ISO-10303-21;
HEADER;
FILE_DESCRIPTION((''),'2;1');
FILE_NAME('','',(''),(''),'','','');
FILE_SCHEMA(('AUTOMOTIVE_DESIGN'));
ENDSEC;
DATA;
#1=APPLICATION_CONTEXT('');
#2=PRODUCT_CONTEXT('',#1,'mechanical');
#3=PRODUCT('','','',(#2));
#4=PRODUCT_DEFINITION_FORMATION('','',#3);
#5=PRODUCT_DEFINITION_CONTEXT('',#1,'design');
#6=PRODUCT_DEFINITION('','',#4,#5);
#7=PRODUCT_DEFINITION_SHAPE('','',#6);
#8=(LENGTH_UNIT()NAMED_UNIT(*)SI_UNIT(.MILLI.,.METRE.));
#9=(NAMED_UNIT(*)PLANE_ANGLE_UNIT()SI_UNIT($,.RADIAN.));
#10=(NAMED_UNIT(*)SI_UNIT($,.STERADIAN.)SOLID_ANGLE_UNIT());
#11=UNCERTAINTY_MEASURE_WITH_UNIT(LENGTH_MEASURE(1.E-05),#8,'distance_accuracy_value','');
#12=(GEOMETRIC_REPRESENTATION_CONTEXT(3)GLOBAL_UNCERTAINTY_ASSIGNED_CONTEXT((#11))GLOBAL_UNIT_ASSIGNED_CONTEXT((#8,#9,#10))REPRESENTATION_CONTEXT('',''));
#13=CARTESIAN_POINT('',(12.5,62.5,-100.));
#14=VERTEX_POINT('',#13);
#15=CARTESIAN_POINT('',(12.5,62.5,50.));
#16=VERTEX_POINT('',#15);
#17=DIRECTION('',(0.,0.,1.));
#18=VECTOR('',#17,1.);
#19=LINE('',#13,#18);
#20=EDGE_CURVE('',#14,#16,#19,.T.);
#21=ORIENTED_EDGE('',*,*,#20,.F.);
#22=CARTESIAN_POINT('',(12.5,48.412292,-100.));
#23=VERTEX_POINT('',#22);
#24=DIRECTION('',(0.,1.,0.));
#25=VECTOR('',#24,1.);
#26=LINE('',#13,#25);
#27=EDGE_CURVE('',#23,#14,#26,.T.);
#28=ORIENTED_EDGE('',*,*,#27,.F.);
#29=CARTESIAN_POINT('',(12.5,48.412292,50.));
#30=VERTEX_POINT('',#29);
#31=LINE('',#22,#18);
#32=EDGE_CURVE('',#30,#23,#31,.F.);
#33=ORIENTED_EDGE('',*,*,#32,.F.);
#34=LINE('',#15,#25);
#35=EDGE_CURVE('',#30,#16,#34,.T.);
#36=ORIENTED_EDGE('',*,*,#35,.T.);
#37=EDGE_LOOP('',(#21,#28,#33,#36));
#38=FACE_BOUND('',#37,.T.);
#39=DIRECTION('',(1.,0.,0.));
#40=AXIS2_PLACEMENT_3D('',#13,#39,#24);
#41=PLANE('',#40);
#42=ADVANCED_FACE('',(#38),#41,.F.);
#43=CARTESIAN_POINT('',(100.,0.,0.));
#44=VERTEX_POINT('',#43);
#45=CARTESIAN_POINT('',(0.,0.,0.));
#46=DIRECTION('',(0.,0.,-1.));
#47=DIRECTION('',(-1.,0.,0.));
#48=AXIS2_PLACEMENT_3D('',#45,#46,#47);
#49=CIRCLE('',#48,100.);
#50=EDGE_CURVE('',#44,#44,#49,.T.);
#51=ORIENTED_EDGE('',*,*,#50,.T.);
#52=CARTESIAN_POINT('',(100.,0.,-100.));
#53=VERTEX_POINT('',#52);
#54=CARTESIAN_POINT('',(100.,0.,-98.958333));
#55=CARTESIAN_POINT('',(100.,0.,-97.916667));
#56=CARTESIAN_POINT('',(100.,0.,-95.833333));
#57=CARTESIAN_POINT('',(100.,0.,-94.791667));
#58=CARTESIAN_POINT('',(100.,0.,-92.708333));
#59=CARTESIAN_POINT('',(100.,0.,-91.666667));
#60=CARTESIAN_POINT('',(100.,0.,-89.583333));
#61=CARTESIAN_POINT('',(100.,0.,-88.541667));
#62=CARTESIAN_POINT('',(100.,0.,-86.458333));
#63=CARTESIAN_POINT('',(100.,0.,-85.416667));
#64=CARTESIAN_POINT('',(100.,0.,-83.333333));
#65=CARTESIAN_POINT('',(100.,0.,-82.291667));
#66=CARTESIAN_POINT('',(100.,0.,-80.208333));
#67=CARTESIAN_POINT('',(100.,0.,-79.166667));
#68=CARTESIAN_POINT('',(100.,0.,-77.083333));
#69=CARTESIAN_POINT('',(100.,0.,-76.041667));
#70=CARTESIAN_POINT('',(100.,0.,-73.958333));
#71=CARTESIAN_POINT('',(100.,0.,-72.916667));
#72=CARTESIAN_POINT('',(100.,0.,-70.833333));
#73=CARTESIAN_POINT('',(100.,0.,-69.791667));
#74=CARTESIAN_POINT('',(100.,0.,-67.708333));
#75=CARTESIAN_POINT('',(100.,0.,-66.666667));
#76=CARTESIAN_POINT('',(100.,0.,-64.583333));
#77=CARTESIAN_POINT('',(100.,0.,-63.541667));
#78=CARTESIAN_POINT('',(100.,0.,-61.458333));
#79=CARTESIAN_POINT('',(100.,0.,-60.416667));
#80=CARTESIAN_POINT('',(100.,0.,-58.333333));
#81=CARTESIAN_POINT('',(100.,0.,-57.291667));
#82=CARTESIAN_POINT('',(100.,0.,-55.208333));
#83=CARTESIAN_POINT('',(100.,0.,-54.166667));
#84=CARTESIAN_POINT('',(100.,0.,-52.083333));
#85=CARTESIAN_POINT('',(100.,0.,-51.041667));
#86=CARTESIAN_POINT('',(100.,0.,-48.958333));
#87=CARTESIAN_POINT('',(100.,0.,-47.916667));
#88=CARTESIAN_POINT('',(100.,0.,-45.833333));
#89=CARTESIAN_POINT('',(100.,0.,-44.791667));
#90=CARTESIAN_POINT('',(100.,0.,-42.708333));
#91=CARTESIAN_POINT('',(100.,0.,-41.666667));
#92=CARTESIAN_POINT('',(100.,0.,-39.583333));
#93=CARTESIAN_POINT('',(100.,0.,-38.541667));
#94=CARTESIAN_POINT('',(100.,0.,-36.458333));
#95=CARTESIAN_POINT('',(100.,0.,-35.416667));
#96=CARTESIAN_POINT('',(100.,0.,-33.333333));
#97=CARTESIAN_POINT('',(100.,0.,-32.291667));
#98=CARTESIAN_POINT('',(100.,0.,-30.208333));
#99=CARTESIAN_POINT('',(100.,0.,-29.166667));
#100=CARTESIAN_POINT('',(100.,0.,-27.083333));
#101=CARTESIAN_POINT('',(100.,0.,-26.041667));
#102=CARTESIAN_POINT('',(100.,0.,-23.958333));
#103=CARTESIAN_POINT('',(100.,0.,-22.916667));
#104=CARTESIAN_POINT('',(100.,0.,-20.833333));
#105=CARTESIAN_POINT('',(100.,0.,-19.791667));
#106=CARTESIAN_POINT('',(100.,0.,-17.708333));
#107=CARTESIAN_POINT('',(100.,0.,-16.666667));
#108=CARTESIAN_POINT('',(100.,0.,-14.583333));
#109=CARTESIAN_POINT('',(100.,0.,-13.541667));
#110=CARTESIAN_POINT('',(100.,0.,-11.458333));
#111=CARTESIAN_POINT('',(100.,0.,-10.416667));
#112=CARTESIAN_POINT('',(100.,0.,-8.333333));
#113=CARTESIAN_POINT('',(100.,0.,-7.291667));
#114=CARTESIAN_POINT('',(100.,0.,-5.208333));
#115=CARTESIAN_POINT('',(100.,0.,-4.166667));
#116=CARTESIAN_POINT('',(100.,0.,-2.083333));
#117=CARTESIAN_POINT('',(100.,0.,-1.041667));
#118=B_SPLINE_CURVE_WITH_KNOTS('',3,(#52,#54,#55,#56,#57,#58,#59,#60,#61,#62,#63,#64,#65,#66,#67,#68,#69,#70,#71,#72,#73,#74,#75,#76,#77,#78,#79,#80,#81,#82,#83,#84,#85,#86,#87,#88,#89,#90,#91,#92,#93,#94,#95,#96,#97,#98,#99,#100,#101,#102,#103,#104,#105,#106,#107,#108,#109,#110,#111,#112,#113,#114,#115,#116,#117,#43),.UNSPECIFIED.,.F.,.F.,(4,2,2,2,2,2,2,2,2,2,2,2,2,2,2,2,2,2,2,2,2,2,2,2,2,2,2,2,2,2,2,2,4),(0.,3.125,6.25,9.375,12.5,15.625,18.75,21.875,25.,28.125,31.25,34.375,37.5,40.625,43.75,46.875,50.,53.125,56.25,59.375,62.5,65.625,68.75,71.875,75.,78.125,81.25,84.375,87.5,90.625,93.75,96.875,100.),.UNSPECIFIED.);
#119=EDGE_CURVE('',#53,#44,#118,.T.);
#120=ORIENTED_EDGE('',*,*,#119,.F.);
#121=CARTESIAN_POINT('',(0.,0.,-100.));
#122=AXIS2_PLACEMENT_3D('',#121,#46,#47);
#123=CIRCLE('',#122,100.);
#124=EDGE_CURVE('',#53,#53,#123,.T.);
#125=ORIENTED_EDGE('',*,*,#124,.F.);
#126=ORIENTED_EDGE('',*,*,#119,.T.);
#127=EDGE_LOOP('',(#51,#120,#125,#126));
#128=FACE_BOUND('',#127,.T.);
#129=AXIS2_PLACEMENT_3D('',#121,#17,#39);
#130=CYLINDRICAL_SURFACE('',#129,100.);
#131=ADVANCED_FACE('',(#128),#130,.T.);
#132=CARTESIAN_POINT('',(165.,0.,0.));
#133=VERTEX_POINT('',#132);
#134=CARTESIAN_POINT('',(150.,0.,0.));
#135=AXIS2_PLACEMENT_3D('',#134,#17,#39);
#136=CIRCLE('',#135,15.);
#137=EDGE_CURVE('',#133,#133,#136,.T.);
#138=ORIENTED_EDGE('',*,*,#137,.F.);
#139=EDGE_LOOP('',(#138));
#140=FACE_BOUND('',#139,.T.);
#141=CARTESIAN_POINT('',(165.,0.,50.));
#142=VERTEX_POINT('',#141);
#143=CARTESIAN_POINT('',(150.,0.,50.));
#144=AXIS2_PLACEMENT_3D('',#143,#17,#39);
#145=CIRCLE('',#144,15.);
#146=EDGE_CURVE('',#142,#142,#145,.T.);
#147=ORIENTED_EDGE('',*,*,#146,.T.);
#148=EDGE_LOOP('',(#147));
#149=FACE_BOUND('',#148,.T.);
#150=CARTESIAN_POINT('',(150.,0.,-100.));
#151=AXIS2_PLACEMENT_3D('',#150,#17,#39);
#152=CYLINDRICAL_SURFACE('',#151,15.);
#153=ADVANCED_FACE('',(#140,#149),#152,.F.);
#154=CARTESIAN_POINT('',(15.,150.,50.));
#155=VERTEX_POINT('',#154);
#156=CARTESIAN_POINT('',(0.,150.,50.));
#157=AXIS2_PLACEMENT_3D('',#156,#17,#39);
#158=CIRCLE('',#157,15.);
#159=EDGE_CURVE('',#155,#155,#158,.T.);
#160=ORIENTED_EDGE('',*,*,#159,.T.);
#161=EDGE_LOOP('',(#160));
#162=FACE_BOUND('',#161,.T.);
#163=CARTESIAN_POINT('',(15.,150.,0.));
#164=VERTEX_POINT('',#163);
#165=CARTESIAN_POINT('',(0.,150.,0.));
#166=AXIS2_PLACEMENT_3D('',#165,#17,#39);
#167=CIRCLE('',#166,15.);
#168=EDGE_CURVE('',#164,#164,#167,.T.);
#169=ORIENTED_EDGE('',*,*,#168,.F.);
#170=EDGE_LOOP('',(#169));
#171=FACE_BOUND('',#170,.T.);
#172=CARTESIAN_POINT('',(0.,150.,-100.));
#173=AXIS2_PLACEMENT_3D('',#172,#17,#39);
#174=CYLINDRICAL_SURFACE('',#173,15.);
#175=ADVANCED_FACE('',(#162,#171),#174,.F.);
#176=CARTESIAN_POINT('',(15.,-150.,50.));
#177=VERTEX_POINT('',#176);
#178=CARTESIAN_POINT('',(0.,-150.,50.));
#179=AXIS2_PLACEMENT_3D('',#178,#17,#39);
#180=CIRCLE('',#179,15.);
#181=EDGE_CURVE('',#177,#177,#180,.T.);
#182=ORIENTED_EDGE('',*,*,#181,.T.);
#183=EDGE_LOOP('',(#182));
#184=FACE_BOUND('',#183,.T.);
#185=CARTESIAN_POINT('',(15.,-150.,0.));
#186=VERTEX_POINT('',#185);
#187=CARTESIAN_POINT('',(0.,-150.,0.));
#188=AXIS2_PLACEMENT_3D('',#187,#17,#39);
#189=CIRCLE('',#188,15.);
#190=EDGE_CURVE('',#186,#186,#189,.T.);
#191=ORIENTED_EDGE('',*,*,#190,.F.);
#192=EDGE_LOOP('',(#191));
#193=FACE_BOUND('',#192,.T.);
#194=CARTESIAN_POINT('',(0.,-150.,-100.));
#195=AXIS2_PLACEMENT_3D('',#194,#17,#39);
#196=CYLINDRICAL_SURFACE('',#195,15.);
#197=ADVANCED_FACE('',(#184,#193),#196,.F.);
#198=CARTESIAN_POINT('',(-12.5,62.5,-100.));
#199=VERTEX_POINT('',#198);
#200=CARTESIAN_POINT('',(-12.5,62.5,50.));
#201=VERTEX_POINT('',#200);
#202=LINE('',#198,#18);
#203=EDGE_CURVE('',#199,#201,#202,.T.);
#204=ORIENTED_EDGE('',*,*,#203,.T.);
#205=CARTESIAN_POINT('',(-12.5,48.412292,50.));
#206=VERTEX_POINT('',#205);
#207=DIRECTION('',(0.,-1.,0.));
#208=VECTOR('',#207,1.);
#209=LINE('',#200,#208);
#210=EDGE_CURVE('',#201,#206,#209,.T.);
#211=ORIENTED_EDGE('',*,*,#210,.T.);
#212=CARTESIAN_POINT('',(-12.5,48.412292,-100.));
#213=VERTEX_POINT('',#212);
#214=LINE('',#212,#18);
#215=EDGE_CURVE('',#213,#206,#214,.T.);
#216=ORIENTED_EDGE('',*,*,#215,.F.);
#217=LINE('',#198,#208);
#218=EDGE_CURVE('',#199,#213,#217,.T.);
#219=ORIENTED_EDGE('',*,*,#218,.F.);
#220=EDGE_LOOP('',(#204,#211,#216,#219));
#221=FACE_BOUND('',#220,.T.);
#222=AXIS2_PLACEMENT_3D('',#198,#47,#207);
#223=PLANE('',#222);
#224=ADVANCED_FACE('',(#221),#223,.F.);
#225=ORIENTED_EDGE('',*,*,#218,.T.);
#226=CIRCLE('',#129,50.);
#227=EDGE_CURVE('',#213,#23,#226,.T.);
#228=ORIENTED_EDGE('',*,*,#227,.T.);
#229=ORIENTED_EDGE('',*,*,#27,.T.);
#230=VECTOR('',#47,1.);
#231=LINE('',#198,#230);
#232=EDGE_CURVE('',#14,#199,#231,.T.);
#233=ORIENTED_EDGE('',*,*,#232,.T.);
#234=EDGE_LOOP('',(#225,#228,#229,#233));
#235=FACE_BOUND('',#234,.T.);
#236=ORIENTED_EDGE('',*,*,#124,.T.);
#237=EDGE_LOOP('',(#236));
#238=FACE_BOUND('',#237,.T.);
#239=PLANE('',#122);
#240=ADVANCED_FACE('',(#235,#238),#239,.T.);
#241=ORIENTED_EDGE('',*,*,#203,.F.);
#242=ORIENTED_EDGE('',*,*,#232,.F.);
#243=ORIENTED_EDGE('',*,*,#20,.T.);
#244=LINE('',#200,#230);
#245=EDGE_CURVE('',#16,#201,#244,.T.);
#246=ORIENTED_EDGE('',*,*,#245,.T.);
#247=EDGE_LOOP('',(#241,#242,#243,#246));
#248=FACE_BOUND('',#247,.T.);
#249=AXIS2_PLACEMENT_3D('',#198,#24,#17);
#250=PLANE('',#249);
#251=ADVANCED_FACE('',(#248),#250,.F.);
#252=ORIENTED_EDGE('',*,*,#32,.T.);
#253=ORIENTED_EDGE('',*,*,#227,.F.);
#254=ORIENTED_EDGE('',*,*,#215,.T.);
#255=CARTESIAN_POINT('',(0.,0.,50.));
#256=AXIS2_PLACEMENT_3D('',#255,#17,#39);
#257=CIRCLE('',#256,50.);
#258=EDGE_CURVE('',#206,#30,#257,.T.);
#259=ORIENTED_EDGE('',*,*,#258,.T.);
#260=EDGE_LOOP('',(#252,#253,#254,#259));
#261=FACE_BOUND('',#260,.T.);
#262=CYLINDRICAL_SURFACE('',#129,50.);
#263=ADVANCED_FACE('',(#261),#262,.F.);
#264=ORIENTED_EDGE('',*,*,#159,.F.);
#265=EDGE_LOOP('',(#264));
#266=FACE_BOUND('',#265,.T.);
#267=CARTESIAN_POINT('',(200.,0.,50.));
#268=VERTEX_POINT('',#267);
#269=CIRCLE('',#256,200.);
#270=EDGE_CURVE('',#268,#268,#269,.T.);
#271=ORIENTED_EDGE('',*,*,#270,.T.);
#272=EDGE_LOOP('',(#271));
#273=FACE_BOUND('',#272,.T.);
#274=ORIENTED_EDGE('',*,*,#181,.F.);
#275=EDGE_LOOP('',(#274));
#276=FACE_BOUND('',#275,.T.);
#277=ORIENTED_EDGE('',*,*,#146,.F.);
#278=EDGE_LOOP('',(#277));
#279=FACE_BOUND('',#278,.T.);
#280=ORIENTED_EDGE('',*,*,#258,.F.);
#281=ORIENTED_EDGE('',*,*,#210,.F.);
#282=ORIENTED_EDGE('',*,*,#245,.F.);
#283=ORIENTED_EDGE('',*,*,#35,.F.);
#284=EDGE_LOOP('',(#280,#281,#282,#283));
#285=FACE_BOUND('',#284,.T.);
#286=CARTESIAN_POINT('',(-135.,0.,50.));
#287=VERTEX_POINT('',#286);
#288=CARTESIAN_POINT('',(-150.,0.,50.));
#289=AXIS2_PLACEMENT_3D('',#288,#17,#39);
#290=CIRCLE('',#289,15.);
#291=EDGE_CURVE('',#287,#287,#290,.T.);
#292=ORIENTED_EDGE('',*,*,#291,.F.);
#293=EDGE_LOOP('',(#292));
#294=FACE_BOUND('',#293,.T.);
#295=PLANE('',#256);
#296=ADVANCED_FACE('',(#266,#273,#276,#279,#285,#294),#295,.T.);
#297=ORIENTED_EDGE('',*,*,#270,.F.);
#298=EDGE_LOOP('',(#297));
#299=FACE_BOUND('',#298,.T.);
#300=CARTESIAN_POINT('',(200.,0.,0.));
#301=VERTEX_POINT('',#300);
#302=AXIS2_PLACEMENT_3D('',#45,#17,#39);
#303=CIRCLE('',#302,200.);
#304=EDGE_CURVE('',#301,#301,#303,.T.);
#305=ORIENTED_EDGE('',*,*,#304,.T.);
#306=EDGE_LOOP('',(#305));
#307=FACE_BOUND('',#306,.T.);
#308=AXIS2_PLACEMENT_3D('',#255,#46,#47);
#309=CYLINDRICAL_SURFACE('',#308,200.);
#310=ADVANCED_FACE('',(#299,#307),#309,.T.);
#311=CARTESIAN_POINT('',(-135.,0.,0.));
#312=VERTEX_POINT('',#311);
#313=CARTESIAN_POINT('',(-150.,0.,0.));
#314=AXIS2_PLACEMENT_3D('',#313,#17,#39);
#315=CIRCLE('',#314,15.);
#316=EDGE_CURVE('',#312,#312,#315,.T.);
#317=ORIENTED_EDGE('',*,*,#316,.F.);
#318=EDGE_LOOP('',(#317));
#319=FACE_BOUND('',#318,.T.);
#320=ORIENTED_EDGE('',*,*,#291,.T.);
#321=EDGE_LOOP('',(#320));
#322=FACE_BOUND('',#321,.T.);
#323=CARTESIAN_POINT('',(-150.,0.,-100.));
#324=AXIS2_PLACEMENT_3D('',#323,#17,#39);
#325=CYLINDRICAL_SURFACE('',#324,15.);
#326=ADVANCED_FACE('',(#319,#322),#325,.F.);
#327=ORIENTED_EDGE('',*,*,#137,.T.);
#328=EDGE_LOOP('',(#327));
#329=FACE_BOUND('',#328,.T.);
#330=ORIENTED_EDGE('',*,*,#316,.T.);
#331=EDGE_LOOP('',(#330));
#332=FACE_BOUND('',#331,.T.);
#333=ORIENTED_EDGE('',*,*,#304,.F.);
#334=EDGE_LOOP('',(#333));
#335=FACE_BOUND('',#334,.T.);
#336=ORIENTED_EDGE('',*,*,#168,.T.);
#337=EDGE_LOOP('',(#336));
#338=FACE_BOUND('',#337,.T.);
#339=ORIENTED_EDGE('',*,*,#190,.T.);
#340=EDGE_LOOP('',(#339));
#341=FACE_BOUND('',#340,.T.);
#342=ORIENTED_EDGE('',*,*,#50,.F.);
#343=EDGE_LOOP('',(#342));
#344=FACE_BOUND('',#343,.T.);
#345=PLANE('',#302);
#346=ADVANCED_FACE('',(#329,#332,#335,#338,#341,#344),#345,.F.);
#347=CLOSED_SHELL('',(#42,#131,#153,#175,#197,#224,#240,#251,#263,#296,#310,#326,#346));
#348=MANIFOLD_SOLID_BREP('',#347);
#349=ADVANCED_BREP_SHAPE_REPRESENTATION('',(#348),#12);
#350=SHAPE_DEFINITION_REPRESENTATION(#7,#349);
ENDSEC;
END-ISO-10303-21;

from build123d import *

# Parameters (mm, degrees)
SKETCH1_R           = 200
BOSS_EXTRUDE1_DEPTH = 50
SKETCH2_R           = 100
BOSS_EXTRUDE2_DEPTH = 100
SKETCH3_R           = 15
CUT_EXTRUDE1_DEPTH  = 321.156211872
SKETCH4_R           = 50
CUT_EXTRUDE2_DEPTH  = 321.156211872
SKETCH5_W           = 25
SKETCH5_H           = 25
CUT_EXTRUDE3_DEPTH  = 321.156211872


with BuildPart() as part:
    # Sketch1 → Boss-Extrude1 (new body)
    with BuildSketch(Plane.XY):
        Circle(SKETCH1_R)
    extrude(amount=BOSS_EXTRUDE1_DEPTH)

    # Sketch2 → Boss-Extrude2 (add)
    with BuildSketch(Plane(origin=(0, 0, 0), x_dir=(-1, 0, 0), z_dir=(0, 0, -1))):
        with Locations(Location((0, 0, 0), (0, 0, 180))):
            Circle(SKETCH2_R)
    extrude(amount=BOSS_EXTRUDE2_DEPTH)

    # Sketch3 → Cut-Extrude1 (cut, through all)
    with BuildSketch(Plane.XY.offset(50)):
        with Locations((0, 150)):
            Circle(SKETCH3_R)
        with Locations((150, 0)):
            Circle(SKETCH3_R)
        with Locations((0, -150)):
            Circle(SKETCH3_R)
        with Locations((-150, 0)):
            Circle(SKETCH3_R)
    extrude(amount=-CUT_EXTRUDE1_DEPTH, mode=Mode.SUBTRACT)

    # Sketch4 → Cut-Extrude2 (cut, through all)
    with BuildSketch(Plane.XY.offset(50)):
        Circle(SKETCH4_R)
    extrude(amount=-CUT_EXTRUDE2_DEPTH, mode=Mode.SUBTRACT)

    # Sketch5 → Cut-Extrude3 (cut, through all)
    with BuildSketch(Plane.XY.offset(50)):
        with Locations((0, 50)):
            Rectangle(SKETCH5_W, SKETCH5_H)
    extrude(amount=-CUT_EXTRUDE3_DEPTH, mode=Mode.SUBTRACT)


solid = part.part
